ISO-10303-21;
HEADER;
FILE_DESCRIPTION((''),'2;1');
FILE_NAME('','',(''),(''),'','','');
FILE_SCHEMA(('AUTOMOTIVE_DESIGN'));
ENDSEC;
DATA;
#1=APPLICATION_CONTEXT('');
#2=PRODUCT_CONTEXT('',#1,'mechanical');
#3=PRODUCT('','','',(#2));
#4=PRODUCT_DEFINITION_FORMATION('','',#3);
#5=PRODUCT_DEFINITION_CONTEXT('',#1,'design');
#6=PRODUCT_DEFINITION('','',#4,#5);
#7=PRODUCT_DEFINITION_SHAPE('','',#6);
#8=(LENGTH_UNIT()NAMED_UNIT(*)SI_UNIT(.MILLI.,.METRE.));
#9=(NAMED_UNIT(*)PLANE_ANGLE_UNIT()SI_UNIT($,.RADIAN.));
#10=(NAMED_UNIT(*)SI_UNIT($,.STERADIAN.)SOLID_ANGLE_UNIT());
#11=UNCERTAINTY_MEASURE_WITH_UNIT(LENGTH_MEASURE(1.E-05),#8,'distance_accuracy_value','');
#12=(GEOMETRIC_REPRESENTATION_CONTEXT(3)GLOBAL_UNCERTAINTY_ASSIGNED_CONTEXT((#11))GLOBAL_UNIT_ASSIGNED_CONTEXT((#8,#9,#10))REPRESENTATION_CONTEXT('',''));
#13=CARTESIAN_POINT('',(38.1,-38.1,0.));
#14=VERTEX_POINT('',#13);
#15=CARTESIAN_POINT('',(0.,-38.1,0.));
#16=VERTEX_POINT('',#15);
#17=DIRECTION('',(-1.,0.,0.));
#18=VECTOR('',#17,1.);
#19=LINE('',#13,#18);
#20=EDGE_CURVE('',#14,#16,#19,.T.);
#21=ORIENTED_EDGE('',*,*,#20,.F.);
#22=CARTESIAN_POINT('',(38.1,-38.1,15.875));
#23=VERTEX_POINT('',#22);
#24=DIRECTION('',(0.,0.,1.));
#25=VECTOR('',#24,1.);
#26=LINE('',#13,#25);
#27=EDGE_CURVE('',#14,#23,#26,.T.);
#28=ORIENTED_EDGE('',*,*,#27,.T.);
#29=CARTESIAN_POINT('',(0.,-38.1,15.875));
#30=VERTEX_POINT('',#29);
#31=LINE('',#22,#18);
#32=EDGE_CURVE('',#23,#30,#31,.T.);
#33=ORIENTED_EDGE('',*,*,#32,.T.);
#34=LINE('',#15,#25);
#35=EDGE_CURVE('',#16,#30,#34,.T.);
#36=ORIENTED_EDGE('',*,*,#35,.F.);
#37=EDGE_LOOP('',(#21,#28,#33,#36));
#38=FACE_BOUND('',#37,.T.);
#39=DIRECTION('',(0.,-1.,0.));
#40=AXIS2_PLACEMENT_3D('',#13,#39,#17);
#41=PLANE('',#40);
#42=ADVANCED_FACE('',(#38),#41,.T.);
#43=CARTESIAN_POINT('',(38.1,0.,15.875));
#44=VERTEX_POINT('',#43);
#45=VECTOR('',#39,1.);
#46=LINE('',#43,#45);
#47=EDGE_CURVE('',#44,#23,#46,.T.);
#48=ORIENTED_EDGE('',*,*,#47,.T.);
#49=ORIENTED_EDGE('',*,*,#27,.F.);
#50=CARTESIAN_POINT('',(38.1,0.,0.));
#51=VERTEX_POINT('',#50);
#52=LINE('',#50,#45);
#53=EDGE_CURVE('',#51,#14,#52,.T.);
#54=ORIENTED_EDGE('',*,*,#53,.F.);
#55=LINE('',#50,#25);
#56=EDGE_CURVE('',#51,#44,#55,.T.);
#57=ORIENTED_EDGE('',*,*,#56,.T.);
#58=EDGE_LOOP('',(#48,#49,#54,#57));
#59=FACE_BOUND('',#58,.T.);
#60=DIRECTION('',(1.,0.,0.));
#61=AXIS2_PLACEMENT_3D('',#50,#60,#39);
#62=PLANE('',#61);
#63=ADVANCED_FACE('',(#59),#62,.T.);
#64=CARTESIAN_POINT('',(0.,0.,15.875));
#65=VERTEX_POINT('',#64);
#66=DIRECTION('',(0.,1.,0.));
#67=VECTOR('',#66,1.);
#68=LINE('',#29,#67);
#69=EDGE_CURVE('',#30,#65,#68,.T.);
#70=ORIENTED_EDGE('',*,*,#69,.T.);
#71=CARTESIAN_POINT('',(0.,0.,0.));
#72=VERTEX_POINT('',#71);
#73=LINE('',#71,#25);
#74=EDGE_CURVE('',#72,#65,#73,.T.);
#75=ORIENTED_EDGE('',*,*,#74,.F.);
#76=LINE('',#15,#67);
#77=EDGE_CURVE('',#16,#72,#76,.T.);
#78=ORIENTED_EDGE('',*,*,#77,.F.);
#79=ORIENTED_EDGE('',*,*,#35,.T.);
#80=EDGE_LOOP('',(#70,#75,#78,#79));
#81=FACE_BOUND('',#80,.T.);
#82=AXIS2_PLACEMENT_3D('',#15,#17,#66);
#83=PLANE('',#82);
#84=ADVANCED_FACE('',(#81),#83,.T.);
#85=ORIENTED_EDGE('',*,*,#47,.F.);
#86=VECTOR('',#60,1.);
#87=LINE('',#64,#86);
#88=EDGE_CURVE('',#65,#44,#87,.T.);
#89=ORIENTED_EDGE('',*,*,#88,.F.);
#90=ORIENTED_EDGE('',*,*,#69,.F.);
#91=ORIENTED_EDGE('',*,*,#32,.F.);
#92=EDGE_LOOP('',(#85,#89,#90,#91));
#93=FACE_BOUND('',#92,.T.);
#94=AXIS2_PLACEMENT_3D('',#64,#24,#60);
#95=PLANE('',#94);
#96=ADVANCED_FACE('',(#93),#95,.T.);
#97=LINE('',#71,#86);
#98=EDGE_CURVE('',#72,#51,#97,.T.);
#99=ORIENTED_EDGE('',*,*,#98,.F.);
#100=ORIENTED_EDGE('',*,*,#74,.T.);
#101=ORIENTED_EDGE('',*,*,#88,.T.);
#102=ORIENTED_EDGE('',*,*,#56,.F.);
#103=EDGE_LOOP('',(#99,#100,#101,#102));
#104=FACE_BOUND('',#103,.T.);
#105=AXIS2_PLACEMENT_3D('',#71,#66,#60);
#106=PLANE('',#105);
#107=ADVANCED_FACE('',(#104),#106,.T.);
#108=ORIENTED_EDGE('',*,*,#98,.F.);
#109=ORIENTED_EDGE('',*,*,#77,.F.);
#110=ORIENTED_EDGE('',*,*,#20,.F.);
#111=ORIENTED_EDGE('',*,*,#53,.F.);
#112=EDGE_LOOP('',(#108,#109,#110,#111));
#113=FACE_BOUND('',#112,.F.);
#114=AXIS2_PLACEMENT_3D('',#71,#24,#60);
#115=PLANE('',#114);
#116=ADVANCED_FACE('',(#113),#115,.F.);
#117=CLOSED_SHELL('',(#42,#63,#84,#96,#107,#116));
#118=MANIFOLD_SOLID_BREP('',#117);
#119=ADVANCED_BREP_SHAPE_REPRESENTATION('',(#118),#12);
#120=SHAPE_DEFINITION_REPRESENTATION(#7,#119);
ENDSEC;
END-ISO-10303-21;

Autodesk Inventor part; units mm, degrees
ref_plane "YZ Plane" through (0, 0, 0) normal (1, 0, 0) x (0, 1, 0)
ref_plane "XZ Plane" through (0, 0, 0) normal (0, 1, 0) x (-1, 0, 0)
ref_plane "XY Plane" through (0, 0, 0) normal (0, 0, 1) x (1, 0, 0)
sketch "Sketch1" plane through (0, 0, 0) normal (0, 0, 1) x (1, 0, 0)
  line L0 (0, 0) -> (38.1, 0)
  line L1 (38.1, 0) -> (38.1, -38.1)
  line L2 (38.1, -38.1) -> (0, -38.1)
  line L3 (0, -38.1) -> (0, 0)
  dimension "d0" = 38.1
extrude "Extrusion1" add sketch "Sketch1" along normal blind 15.875
properties part number "GE-12016-06"
